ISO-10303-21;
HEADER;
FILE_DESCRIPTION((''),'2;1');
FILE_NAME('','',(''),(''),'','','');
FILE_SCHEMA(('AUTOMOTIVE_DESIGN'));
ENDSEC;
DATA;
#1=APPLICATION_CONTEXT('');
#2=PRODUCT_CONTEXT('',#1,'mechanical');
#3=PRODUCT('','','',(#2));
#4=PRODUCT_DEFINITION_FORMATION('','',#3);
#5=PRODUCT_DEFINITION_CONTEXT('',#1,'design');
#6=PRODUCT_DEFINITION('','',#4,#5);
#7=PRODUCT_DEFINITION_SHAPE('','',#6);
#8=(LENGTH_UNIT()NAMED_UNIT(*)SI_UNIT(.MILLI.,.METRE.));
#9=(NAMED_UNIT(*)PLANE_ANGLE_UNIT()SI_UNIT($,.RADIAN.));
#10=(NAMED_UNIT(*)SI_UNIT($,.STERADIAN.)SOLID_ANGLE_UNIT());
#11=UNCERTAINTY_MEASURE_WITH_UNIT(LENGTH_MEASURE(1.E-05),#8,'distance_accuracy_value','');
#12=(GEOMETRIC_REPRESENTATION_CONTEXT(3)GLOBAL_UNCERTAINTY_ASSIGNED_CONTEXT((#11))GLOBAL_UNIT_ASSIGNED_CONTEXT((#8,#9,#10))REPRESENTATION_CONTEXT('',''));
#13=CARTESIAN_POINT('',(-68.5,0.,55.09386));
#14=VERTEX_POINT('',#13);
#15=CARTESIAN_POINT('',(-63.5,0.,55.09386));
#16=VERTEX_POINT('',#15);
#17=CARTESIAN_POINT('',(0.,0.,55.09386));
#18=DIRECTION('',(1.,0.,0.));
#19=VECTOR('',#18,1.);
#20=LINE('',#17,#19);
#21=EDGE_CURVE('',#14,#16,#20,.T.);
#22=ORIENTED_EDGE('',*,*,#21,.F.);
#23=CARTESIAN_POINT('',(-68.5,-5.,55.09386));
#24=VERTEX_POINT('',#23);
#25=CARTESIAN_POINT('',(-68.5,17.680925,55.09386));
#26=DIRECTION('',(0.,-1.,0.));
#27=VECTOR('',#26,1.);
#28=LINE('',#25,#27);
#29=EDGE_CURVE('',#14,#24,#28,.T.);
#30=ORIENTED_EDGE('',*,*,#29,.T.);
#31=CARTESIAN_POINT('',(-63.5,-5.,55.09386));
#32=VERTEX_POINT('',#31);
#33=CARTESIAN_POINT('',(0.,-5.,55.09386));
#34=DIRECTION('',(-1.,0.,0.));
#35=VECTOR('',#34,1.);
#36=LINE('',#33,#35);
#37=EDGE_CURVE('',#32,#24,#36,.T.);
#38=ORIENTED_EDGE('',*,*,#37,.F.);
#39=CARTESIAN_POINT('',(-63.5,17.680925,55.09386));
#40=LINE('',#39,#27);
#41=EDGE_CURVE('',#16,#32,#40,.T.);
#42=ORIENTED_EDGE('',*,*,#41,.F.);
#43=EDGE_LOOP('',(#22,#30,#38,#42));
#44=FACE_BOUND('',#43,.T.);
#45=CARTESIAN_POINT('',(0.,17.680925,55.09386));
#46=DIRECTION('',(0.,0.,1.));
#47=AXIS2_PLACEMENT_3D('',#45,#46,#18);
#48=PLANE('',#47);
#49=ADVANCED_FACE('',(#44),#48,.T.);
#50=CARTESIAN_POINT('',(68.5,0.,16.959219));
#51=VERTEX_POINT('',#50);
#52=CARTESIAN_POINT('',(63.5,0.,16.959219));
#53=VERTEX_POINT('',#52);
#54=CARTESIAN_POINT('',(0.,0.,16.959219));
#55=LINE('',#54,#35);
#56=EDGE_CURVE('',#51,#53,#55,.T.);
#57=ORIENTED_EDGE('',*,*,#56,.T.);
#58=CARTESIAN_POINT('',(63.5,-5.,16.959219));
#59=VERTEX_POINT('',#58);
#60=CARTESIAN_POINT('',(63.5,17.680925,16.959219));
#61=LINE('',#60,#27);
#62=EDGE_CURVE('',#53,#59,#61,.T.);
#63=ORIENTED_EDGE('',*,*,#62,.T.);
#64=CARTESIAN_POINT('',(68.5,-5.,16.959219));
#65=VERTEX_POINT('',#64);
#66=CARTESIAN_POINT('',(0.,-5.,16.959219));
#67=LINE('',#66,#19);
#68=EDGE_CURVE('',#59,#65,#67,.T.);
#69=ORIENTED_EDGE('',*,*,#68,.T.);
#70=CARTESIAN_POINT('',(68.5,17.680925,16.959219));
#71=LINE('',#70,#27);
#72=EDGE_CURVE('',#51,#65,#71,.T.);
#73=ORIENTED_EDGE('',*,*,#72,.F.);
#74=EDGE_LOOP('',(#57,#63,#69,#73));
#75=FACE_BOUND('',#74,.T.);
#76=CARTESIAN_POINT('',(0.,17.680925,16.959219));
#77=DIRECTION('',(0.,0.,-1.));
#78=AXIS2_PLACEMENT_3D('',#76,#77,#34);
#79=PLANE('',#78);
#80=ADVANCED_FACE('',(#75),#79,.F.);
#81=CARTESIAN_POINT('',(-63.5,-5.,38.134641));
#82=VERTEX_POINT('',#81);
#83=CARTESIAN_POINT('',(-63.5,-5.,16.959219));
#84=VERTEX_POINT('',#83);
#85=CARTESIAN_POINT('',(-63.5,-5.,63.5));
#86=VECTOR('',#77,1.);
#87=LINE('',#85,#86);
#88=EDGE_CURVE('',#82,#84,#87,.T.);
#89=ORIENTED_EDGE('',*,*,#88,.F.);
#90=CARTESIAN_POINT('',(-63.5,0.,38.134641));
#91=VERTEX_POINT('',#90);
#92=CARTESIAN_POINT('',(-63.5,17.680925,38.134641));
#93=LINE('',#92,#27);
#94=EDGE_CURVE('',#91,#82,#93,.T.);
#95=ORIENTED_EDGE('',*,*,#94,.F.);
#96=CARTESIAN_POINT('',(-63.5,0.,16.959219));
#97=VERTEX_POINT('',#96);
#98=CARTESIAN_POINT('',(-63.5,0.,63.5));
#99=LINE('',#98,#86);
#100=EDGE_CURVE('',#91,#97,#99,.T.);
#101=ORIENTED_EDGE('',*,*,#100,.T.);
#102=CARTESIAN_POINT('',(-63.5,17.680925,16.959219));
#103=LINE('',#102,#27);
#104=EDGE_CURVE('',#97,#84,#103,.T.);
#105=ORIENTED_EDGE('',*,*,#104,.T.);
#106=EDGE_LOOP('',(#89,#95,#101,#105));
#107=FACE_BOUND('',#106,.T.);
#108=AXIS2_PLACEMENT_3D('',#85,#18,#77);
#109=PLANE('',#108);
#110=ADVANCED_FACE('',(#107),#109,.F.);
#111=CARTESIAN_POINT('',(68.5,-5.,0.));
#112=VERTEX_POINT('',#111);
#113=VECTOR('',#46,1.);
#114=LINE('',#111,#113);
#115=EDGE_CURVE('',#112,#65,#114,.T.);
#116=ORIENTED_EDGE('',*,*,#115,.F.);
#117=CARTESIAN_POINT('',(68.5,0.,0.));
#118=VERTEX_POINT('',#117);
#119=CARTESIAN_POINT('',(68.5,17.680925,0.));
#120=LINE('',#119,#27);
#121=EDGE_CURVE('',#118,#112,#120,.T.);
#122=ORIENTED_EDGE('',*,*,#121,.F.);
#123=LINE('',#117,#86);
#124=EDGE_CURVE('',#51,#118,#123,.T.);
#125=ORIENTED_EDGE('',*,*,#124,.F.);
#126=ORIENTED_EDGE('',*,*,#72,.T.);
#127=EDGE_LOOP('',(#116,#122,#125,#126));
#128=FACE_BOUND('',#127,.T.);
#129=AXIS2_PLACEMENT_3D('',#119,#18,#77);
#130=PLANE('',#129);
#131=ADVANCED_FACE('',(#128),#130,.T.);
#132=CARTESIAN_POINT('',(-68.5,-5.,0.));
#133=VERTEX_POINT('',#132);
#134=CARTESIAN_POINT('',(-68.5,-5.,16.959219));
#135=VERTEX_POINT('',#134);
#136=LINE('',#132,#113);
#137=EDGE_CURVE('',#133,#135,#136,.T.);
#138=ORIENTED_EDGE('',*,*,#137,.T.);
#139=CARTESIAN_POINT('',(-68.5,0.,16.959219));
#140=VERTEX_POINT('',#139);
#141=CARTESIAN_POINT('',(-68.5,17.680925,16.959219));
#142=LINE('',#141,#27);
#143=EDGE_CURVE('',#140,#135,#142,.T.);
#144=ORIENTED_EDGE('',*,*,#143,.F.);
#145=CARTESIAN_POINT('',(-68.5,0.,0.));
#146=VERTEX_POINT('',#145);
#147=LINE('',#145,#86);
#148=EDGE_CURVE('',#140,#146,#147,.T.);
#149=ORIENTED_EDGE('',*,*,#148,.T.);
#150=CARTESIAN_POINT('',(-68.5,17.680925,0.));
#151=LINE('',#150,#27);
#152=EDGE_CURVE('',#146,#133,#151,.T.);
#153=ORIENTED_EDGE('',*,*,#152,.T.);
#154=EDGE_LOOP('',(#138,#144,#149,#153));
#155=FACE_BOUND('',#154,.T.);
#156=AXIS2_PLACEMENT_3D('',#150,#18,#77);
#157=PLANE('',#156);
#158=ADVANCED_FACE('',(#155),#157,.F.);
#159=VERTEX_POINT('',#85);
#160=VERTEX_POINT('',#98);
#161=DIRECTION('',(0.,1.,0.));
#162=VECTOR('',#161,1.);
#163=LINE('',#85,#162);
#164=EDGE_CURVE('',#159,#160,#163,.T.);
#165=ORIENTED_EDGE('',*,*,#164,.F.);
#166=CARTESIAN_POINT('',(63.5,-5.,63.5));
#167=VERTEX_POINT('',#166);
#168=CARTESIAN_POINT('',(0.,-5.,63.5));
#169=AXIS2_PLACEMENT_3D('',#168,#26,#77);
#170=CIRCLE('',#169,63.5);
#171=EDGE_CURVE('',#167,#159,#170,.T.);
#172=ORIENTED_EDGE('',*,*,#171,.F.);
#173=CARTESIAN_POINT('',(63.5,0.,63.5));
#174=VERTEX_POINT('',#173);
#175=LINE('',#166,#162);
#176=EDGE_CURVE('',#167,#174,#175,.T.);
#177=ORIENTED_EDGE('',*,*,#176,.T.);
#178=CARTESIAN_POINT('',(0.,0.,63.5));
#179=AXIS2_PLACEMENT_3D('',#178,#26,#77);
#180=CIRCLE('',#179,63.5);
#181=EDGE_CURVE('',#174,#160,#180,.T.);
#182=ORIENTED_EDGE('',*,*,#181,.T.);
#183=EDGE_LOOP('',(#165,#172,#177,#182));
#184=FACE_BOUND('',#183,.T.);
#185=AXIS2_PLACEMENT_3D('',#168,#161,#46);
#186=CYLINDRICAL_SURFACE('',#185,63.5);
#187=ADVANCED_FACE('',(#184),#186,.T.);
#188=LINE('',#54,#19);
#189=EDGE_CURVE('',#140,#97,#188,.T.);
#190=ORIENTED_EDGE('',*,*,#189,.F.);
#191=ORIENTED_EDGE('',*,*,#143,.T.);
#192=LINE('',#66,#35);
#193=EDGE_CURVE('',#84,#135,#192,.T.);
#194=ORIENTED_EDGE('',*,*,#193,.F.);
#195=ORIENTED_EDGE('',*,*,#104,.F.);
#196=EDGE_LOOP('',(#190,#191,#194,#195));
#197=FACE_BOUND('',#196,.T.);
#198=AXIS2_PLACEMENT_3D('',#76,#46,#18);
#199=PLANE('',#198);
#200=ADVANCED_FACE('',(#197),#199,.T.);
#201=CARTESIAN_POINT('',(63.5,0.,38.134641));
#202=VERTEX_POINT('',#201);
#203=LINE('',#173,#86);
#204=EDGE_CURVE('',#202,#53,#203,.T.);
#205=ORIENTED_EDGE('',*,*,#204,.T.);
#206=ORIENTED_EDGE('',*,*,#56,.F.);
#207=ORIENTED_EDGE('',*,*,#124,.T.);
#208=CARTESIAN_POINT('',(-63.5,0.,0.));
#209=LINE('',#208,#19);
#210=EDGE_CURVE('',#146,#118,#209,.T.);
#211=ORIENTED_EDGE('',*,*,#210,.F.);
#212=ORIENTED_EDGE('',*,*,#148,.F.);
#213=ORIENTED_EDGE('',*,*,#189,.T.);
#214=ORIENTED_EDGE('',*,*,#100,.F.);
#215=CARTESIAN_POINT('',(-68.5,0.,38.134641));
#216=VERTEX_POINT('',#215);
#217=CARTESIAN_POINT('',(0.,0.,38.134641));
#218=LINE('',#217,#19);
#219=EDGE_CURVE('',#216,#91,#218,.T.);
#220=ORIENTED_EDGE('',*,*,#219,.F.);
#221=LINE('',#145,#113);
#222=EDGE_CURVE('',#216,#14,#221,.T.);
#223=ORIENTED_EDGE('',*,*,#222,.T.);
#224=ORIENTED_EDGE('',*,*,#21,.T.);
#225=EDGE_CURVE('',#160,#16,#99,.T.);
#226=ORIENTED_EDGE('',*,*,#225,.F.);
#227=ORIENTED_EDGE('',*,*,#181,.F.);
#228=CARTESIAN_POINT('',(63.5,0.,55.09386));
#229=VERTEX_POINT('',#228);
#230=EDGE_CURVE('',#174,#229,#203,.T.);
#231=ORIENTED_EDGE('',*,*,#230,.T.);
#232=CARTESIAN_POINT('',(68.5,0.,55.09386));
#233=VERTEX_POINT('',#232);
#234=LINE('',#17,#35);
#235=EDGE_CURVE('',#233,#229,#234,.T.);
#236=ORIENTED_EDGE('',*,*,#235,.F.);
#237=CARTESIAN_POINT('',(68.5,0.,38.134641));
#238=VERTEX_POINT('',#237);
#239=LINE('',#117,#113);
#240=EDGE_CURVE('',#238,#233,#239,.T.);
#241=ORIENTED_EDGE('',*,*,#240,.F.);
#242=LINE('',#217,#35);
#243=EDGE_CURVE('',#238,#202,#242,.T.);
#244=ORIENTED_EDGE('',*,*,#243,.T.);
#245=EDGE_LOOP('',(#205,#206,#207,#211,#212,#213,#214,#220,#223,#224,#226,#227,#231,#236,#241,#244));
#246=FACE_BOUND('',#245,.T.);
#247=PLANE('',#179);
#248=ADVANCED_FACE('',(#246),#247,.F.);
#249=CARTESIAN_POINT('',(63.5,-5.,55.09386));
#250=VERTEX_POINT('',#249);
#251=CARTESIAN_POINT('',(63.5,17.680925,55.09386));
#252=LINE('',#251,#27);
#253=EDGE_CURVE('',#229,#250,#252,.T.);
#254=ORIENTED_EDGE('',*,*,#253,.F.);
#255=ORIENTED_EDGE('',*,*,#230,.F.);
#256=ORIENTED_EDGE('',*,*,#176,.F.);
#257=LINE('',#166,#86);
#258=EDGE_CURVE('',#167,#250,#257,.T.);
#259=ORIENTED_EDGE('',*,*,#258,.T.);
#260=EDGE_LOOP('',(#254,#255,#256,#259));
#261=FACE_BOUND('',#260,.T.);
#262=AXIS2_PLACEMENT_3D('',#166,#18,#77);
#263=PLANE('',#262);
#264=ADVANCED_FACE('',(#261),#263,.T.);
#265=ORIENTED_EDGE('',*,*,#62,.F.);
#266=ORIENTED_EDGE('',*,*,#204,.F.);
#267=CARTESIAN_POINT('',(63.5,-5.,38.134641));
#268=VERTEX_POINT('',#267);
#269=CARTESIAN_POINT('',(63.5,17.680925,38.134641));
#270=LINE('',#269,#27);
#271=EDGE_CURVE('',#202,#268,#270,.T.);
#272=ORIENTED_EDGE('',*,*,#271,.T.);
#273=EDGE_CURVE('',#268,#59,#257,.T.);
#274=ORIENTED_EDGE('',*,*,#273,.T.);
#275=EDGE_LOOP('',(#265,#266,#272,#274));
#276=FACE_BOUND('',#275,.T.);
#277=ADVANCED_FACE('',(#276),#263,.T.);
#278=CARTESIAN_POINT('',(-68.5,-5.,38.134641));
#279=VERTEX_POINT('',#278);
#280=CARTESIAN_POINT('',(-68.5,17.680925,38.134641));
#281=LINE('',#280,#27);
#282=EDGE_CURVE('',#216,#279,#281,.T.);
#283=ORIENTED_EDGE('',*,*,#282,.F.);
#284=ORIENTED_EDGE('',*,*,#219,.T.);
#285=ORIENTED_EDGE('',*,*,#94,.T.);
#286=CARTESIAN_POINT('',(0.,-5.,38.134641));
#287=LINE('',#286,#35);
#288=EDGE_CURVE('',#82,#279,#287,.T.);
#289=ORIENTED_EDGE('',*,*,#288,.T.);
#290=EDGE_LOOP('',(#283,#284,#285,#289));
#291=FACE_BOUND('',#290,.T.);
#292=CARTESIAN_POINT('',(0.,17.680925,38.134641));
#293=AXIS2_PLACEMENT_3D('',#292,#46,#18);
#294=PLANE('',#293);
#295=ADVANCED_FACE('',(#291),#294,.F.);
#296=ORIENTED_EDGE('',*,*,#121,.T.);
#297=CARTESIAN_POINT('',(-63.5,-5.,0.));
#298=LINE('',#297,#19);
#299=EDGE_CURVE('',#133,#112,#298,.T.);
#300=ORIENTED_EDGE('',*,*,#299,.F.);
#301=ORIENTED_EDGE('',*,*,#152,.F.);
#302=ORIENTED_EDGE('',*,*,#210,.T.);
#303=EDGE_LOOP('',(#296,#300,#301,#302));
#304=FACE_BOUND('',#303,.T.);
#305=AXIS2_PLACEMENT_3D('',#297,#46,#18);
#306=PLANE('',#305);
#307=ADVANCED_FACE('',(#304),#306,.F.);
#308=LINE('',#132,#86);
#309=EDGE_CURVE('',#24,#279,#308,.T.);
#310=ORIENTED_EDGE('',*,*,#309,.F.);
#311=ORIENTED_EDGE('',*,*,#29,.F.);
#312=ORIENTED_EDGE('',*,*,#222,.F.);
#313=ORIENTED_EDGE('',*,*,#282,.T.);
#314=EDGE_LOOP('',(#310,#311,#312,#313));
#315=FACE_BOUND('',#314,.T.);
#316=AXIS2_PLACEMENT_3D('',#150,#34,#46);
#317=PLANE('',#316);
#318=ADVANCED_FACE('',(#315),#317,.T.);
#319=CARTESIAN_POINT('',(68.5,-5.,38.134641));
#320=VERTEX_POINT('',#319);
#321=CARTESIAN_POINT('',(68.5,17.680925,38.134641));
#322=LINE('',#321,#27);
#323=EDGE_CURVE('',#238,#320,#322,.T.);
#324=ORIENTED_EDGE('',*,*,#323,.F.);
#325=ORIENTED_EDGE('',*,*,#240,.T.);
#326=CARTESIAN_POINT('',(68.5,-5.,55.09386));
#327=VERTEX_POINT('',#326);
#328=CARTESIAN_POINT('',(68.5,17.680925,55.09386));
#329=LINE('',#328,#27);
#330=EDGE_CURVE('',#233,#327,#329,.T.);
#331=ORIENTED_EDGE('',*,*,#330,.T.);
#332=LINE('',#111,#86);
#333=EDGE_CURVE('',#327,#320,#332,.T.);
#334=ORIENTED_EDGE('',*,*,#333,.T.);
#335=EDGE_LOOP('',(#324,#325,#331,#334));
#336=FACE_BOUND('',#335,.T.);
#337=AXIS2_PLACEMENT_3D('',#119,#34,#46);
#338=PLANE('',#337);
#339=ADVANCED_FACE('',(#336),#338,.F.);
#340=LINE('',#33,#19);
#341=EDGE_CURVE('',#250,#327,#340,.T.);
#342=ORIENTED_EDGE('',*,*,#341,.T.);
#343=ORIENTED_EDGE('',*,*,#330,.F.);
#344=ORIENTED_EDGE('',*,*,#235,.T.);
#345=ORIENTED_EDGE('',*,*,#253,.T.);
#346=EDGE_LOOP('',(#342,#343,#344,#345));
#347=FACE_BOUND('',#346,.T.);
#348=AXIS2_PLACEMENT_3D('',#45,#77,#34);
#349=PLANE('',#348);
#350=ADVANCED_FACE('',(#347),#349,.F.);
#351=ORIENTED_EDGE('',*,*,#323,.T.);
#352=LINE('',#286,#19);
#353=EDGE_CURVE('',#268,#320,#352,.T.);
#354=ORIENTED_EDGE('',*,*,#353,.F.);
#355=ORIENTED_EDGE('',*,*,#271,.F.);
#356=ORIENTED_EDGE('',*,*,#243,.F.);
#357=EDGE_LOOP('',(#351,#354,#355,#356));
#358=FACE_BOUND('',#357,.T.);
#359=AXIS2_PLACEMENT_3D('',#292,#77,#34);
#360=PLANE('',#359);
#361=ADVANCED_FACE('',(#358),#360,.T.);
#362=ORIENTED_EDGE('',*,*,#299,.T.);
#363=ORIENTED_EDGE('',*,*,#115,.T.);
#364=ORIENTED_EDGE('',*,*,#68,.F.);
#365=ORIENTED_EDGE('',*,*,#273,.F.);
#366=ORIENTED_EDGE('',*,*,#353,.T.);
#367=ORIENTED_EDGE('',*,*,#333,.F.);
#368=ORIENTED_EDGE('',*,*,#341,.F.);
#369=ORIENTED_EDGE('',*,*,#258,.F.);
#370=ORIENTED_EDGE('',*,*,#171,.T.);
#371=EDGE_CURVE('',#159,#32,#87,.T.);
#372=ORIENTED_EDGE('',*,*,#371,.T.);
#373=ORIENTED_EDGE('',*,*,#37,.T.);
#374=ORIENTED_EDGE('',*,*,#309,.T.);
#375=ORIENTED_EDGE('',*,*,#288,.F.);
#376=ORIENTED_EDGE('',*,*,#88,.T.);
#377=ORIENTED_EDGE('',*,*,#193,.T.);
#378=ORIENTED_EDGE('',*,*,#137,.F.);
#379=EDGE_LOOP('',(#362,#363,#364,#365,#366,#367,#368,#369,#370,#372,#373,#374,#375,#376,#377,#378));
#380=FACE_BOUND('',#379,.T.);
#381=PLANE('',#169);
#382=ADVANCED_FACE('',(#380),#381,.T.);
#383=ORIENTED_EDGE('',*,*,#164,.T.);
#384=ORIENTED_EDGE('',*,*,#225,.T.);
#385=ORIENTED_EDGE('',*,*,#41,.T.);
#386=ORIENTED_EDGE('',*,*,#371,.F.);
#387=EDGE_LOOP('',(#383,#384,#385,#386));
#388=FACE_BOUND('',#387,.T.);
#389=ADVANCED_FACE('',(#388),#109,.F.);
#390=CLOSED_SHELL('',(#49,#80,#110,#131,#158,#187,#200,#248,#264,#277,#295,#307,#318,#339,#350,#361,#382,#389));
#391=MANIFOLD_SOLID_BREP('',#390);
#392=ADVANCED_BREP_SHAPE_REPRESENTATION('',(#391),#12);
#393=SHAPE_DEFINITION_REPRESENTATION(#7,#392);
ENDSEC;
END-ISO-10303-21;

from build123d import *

# Parameters (mm, degrees)
BOSS_EXTRUDE1_DEPTH = 4.999999906
SKETCH3_W           = 4.999999906
SKETCH3_H           = 16.959219297
BOSS_EXTRUDE2_DEPTH = 4.999999906


with BuildPart() as part:
    # Sketch2 → Boss-Extrude1 (new body)
    with BuildSketch(Plane.XZ):
        with BuildLine():
            Line((-63.5, 63.5), (-63.5, 0))
            Line((-63.5, 0), (63.5, 0))
            Line((63.5, 0), (63.5, 63.5))
            ThreePointArc((63.5, 63.5), (0, 127), (-63.5, 63.5))
        make_face()
    extrude(amount=BOSS_EXTRUDE1_DEPTH)

    # Sketch3 → Boss-Extrude2 (add)
    with BuildSketch(Plane.XZ.offset(4.999999906)):
        with Locations((65.999999953, 8.479609649)):
            Rectangle(SKETCH3_W, SKETCH3_H)
        with Locations((65.999999953, 46.614250443)):
            Rectangle(SKETCH3_W, SKETCH3_H)
        with Locations((-65.999999953, 46.614250443)):
            Rectangle(SKETCH3_W, SKETCH3_H)
        with Locations((-65.999999953, 8.479609649)):
            Rectangle(SKETCH3_W, SKETCH3_H)
    extrude(amount=-BOSS_EXTRUDE2_DEPTH)


solid = part.part
